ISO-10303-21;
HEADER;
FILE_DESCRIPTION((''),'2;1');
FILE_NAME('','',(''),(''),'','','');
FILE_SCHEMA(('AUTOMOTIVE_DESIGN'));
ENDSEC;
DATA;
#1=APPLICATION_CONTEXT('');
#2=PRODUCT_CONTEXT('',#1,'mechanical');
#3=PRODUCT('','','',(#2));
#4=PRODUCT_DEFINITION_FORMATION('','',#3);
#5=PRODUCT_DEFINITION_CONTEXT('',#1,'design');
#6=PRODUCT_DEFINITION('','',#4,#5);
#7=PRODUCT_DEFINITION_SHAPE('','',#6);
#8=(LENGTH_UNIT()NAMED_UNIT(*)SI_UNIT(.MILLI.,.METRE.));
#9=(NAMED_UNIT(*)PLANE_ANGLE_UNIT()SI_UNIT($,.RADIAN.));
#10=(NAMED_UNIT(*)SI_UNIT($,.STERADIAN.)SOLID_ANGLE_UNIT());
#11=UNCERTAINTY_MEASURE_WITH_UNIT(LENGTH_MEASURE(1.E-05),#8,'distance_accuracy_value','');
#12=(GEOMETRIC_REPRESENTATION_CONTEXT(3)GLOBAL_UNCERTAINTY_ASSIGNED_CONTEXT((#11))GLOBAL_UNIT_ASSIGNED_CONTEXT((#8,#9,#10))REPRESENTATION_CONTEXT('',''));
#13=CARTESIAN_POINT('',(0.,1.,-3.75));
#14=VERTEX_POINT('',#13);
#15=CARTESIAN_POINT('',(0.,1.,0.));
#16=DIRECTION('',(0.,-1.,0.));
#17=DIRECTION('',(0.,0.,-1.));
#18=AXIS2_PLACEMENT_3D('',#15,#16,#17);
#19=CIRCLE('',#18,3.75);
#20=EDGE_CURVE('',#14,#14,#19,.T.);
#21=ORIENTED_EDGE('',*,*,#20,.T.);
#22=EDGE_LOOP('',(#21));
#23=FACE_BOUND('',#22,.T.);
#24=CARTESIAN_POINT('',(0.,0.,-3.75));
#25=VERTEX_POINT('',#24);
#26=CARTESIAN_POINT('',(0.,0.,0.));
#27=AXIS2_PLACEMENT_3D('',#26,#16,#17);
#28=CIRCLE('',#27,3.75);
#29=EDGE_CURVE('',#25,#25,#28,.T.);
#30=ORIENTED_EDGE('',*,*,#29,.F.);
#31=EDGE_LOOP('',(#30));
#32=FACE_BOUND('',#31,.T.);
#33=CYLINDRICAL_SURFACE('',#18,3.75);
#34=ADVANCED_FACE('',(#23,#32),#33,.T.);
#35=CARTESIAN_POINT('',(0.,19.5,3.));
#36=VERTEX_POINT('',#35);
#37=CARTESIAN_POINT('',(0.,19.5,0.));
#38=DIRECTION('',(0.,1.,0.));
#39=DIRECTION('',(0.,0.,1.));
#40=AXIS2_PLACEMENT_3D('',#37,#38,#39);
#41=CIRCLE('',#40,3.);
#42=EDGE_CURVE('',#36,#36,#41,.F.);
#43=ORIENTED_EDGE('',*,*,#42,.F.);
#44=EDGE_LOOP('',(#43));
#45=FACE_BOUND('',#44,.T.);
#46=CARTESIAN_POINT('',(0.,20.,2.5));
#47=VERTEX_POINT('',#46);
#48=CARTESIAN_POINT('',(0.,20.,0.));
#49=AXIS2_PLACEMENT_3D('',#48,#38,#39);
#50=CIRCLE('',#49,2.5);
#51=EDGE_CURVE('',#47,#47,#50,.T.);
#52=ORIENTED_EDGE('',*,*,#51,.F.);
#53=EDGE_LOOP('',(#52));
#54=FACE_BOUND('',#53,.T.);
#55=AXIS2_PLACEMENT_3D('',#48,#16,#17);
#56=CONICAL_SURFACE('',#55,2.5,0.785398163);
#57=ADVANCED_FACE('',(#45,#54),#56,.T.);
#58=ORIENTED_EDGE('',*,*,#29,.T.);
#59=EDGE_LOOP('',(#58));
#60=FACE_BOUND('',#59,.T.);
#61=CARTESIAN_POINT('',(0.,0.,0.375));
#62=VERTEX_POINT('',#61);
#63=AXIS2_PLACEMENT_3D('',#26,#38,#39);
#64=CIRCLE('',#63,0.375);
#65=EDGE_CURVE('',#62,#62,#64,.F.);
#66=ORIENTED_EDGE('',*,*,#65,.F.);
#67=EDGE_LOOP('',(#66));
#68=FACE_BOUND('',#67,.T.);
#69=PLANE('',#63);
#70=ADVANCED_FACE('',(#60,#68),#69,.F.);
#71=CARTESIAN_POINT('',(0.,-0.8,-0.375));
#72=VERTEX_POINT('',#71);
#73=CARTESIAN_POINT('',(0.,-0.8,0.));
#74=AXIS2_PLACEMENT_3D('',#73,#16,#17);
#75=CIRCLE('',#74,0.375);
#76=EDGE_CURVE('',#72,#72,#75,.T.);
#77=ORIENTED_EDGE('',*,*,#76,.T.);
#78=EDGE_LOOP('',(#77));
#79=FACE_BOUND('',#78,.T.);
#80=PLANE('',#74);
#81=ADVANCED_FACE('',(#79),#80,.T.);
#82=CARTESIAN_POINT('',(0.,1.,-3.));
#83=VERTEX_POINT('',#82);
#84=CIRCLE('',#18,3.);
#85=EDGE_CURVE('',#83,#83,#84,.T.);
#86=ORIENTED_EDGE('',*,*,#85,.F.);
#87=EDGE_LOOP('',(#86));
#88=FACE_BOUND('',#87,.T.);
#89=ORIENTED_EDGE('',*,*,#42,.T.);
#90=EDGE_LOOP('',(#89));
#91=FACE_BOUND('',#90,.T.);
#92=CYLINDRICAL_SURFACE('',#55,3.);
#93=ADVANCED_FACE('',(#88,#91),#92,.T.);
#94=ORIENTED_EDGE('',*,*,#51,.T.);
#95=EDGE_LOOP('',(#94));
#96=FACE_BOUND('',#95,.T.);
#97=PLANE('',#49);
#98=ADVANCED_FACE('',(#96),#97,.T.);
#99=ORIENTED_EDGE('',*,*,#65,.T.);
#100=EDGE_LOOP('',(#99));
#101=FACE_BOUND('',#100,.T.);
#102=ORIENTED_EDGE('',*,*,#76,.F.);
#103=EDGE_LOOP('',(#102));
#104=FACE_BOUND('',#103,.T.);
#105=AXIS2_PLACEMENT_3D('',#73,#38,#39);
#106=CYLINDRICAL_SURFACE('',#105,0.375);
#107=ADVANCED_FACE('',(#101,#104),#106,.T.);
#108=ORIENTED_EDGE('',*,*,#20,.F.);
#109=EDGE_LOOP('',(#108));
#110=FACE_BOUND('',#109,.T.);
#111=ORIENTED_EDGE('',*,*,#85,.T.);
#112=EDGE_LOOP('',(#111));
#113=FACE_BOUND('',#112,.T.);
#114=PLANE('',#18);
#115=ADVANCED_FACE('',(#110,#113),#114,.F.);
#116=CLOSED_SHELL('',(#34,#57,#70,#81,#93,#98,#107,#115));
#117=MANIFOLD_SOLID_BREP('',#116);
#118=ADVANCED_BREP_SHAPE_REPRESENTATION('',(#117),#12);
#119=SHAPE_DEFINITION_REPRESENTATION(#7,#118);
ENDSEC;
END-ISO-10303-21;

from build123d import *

# Parameters (mm, degrees)
SKETCH_1_R      = 3
EXTRUDE_1_DEPTH = 20
CHAMFER_1_SIZE  = 0.5
SKETCH_2_R      = 3.75
EXTRUDE_2_DEPTH = 1
SKETCH_3_R      = 0.375
EXTRUDE_3_DEPTH = 0.8


with BuildPart() as part:
    # Эскиз1 → Вытянуть1 (new body)
    with BuildSketch(Plane(origin=(0, 0, 0), x_dir=(1, 0, 0), z_dir=(0, 1, 0))):
        with Locations(Location((0, 0, 0), (0, 0, 270))):
            Circle(SKETCH_1_R)
    extrude(amount=EXTRUDE_1_DEPTH)

    # Фаска1
    chamfer_1_edges = [part.edges().sort_by_distance(p)[0] for p in [
        (0, 20, -3),
    ]]
    chamfer(chamfer_1_edges, length=CHAMFER_1_SIZE)

    # Эскиз2 → Вытянуть2 (add)
    with BuildSketch(Plane.XZ):
        with Locations(Location((0, 0, 0), (0, 0, 270))):
            Circle(SKETCH_2_R)
    extrude(amount=-EXTRUDE_2_DEPTH)

    # Эскиз3 → Вытянуть3 (add)
    with BuildSketch(Plane.XZ):
        with Locations(Location((0, 0, 0), (0, 0, 90))):
            Circle(SKETCH_3_R)
    extrude(amount=EXTRUDE_3_DEPTH)


solid = part.part
